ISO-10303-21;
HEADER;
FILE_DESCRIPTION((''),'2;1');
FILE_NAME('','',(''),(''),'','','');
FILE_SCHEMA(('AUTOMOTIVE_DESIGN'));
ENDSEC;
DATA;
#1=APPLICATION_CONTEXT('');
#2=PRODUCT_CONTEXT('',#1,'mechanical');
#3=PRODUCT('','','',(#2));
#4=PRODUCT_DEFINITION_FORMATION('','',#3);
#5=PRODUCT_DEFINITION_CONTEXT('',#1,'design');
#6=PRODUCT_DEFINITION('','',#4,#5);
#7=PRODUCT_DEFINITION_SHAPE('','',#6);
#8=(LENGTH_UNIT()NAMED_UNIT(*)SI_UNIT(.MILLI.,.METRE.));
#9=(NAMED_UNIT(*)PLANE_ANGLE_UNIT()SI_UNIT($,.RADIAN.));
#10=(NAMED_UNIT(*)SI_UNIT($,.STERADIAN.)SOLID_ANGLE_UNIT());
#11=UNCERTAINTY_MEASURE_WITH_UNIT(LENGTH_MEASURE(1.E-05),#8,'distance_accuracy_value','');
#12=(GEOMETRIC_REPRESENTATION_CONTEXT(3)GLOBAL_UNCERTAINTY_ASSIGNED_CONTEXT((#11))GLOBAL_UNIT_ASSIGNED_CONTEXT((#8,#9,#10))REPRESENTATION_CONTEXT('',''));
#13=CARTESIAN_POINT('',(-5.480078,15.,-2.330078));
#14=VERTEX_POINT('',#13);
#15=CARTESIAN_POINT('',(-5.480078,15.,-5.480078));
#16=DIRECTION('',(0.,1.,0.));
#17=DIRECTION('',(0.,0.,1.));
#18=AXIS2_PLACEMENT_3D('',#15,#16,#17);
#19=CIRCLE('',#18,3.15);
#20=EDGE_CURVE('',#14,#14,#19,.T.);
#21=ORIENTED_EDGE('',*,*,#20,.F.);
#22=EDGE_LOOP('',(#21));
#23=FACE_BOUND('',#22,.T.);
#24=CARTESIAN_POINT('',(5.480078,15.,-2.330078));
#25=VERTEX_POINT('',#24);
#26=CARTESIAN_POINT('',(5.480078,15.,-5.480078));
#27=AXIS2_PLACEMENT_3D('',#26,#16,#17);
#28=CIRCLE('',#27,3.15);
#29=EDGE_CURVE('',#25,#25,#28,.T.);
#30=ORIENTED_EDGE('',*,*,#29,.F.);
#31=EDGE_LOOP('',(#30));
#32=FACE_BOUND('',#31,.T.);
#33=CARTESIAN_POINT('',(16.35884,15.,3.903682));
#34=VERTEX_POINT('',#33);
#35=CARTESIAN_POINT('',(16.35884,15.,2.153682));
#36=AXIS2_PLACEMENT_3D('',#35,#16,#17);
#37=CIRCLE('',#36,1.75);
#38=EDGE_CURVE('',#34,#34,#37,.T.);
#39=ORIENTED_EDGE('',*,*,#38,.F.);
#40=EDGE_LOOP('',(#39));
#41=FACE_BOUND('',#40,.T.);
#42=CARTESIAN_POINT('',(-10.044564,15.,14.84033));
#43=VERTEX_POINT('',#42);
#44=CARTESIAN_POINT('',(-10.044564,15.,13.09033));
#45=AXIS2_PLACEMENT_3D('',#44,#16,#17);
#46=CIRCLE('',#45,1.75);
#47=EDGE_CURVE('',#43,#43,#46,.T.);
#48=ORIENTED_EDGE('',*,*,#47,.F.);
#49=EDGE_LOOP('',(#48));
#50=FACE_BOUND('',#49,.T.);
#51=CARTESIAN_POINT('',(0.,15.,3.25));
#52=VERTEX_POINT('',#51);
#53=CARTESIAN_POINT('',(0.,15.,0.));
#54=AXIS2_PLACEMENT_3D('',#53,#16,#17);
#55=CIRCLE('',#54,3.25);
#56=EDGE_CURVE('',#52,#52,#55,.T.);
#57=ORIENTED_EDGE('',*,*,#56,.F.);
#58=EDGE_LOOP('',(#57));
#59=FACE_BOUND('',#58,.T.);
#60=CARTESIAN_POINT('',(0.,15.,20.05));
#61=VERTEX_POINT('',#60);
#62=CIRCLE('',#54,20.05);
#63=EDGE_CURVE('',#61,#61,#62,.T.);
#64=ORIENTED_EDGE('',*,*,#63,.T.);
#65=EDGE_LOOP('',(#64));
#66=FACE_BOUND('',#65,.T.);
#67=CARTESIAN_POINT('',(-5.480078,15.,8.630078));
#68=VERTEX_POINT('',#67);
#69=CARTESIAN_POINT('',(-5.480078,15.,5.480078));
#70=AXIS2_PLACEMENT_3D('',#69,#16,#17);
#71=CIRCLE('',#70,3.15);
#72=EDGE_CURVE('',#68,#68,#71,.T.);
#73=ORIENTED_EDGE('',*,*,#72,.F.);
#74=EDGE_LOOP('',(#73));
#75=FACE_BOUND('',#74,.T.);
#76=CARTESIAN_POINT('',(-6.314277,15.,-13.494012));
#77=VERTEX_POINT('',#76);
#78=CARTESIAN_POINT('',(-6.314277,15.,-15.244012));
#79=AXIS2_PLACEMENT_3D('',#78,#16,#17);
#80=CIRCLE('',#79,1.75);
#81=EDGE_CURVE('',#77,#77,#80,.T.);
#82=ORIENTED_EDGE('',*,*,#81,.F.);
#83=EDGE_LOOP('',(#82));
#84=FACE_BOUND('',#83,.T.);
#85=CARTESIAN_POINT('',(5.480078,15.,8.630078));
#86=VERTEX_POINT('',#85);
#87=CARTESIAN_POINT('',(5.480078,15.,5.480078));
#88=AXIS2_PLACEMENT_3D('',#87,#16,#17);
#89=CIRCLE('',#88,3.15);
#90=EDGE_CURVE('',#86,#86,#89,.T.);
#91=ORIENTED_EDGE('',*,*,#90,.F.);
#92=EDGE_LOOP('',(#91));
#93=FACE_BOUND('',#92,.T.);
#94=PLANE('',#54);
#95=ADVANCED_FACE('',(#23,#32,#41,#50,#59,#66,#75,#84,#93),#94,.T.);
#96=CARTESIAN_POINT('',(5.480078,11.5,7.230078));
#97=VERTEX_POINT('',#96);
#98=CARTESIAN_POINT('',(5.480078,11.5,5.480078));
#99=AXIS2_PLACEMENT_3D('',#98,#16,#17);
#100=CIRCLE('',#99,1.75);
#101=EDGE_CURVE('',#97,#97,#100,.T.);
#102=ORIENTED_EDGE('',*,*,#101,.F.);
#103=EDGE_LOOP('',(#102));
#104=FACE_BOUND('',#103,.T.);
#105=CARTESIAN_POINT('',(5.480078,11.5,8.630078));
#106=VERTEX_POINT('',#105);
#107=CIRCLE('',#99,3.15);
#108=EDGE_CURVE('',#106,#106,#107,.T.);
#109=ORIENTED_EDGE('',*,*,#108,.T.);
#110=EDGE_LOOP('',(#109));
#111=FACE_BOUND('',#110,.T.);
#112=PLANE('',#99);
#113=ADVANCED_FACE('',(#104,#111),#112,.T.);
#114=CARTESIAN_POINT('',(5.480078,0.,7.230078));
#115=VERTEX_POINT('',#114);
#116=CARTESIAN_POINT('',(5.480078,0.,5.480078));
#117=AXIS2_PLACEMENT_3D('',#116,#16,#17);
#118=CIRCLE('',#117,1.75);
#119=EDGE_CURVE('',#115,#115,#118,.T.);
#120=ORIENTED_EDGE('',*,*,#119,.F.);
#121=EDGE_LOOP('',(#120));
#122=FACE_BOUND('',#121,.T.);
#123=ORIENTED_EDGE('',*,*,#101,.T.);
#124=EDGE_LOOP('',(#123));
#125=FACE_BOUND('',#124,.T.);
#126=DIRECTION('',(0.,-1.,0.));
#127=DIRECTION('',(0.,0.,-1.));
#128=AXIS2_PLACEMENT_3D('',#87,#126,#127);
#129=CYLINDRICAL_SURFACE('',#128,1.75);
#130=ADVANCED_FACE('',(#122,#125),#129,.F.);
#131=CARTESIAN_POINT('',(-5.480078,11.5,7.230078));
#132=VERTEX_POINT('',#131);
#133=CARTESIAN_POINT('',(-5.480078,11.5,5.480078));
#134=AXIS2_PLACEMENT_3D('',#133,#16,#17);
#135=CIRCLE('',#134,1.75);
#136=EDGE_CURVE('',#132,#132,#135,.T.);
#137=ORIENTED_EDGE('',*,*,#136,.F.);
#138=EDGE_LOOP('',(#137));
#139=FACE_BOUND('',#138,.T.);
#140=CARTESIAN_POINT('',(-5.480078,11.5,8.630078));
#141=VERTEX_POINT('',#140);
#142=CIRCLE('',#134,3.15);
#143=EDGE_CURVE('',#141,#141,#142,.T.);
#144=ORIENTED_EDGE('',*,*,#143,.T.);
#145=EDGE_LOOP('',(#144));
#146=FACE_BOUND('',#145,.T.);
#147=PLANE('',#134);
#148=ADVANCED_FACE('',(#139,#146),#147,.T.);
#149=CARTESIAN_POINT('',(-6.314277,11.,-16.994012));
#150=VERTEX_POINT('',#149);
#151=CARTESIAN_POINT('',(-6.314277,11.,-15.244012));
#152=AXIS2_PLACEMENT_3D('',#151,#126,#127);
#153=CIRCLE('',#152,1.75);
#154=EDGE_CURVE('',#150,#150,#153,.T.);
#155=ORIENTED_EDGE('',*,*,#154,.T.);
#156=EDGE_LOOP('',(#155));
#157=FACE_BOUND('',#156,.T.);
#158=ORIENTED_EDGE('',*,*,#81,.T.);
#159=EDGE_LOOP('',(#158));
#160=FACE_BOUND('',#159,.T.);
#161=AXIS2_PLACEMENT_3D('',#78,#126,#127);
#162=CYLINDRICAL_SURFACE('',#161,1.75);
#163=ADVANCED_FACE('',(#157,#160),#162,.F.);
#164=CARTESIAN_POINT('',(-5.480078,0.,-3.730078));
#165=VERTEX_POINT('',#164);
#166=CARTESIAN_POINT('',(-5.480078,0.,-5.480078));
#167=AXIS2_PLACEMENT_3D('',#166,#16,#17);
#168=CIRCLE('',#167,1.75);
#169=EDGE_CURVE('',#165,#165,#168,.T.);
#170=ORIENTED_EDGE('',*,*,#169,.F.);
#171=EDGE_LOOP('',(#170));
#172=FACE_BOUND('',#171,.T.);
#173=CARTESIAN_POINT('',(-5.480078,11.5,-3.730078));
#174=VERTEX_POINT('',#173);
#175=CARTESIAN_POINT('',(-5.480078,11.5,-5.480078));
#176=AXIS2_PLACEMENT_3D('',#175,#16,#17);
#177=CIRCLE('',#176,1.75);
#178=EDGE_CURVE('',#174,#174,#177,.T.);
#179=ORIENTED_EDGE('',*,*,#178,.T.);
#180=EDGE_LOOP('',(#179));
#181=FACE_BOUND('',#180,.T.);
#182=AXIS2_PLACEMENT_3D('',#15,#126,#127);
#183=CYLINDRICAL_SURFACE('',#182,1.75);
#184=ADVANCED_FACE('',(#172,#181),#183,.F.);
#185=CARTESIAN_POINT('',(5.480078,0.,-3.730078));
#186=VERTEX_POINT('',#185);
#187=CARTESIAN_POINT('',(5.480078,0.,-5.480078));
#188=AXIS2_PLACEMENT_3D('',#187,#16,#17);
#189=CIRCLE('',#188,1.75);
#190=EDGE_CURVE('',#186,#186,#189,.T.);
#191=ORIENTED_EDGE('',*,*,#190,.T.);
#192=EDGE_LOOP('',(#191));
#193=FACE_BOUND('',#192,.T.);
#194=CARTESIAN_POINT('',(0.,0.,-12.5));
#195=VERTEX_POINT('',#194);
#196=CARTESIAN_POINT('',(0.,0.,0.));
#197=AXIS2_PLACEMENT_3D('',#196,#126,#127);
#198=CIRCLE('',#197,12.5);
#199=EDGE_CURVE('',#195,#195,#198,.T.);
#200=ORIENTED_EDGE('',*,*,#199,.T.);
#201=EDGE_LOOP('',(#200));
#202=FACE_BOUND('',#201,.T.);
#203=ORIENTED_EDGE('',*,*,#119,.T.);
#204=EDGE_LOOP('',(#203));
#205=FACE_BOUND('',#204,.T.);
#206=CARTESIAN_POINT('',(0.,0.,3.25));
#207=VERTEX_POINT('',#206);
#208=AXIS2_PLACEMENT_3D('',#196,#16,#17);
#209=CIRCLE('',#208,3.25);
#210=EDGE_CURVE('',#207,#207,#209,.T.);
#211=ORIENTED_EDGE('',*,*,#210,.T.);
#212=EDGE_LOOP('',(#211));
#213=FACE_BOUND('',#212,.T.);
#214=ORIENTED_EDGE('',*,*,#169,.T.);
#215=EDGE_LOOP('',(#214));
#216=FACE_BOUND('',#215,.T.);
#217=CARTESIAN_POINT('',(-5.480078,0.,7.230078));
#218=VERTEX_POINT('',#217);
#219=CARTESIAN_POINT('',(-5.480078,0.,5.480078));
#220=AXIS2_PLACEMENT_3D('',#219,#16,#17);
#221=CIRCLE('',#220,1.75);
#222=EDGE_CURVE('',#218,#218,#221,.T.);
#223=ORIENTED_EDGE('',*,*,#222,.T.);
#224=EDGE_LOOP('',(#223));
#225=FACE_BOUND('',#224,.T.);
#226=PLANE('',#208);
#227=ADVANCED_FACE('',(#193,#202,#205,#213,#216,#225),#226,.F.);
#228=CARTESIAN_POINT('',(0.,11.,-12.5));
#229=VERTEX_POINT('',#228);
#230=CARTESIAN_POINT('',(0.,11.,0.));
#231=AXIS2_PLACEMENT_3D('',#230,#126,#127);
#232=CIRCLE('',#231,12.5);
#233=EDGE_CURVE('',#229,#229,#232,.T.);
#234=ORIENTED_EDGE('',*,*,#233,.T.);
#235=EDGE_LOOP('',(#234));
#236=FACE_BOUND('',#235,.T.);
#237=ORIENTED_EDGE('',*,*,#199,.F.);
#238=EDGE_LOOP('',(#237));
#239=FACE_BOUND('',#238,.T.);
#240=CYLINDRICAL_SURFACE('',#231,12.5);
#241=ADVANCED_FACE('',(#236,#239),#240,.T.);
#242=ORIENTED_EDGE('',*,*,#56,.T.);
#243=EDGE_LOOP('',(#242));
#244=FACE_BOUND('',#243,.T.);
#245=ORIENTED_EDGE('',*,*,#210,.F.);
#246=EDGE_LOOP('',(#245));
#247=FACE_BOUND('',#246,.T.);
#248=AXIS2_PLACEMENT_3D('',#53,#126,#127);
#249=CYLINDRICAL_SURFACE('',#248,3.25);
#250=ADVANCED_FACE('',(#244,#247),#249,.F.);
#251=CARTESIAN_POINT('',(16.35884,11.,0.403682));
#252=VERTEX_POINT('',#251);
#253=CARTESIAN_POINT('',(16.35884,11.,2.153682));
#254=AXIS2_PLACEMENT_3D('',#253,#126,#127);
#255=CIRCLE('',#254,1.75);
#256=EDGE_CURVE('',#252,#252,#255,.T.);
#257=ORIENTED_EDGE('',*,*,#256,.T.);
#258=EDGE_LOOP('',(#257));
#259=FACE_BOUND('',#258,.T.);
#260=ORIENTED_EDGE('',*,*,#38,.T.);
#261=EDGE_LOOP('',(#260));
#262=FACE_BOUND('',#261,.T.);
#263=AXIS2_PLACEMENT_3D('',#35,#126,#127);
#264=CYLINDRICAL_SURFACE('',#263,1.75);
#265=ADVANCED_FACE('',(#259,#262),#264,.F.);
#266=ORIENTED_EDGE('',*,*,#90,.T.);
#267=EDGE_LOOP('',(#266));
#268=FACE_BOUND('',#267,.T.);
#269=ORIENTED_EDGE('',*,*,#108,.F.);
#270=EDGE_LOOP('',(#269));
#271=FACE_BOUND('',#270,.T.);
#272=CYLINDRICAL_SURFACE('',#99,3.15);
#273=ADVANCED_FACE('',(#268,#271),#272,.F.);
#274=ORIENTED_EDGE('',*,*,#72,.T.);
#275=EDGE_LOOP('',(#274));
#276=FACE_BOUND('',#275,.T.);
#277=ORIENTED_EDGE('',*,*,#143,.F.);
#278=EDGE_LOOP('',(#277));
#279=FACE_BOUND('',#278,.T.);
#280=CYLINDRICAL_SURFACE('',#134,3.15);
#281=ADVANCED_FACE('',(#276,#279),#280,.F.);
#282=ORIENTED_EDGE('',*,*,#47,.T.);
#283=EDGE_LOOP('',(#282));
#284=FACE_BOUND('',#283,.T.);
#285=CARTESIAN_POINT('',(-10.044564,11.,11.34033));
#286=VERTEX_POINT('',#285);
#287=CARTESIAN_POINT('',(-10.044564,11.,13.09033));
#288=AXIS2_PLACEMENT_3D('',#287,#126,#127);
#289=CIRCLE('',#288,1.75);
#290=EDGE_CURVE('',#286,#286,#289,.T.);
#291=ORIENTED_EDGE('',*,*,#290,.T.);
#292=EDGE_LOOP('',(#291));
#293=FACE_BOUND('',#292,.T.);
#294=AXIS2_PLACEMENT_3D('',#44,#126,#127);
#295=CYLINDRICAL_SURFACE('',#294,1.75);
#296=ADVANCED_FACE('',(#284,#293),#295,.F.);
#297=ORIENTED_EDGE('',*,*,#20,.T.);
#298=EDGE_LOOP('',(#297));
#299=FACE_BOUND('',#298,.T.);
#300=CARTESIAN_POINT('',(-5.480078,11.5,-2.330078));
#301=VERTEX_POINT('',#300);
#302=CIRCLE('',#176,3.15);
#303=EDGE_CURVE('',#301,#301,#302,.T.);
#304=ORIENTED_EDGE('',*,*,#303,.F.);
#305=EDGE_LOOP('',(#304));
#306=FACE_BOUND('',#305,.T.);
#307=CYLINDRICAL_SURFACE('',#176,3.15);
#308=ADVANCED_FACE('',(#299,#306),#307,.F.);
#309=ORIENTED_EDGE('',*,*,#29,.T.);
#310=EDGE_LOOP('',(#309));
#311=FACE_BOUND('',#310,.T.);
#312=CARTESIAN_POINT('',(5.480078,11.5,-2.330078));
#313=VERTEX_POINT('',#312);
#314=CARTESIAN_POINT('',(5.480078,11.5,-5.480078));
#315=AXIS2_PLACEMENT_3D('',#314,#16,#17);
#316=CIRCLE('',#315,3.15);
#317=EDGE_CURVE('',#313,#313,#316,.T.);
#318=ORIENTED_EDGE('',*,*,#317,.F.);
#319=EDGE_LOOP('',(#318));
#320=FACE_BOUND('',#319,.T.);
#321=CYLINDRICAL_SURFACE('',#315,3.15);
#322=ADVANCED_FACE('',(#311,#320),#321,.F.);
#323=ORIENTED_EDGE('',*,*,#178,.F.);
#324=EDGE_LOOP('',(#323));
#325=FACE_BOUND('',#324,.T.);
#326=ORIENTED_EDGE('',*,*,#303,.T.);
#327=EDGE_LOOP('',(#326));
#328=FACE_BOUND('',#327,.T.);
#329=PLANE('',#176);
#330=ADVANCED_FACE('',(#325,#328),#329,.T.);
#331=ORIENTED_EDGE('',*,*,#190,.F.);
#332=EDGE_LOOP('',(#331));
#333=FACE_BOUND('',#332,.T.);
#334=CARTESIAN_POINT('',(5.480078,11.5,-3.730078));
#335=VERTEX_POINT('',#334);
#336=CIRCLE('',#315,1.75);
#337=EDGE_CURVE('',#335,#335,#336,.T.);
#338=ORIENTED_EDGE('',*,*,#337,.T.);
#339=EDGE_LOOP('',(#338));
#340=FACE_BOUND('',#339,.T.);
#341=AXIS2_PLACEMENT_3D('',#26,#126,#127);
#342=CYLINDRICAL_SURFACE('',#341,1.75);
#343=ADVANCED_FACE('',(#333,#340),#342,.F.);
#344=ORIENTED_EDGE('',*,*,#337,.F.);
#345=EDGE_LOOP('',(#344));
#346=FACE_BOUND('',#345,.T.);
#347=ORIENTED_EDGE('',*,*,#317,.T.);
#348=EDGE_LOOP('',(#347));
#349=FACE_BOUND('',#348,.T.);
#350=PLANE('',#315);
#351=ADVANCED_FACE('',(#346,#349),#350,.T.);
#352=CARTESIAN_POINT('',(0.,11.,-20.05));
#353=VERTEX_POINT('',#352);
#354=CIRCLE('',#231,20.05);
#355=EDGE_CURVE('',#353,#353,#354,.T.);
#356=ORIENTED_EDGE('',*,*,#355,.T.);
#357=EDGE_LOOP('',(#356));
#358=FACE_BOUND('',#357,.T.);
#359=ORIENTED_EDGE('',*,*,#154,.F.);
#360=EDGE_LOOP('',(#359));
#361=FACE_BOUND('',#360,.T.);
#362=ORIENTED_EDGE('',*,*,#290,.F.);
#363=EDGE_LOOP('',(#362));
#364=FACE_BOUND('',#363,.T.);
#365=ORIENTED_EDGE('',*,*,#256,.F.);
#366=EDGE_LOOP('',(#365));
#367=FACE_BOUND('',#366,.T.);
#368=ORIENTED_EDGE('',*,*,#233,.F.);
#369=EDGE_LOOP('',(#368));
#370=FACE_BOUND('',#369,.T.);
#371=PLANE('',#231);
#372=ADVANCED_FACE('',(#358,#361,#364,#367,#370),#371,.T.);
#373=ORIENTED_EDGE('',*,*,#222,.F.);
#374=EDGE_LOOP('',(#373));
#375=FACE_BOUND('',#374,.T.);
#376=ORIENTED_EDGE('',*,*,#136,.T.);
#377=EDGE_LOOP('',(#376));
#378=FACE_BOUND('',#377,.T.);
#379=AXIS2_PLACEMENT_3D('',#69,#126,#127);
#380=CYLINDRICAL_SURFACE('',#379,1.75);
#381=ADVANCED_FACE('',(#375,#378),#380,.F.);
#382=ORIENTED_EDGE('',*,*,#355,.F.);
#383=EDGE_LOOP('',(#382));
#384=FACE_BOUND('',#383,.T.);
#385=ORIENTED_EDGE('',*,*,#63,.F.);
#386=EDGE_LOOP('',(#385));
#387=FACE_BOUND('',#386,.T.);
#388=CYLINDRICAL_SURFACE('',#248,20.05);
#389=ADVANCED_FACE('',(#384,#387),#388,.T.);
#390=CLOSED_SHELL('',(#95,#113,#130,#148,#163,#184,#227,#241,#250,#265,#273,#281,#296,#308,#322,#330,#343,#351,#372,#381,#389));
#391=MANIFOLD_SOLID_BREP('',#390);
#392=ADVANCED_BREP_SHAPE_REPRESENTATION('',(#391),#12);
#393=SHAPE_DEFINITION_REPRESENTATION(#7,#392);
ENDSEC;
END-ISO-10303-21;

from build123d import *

# Parameters (mm, degrees)
SKETCH1_R      = 20.05
SKETCH1_R_2    = 3.25
SKETCH1_R_3    = 1.75
EXTRUDE1_DEPTH = 15
SKETCH7_R      = 3.15
EXTRUDE4_DEPTH = 3.5
SKETCH8_R      = 20.05
SKETCH8_R_2    = 12.5
EXTRUDE5_DEPTH = 11


with BuildPart() as part:
    # Sketch1 → Extrude1 (new body)
    with BuildSketch(Plane(origin=(0, 0, 0), x_dir=(1, 0, 0), z_dir=(0, 1, 0))):
        Circle(SKETCH1_R)
        Circle(SKETCH1_R_2, mode=Mode.SUBTRACT)
        with Locations((5.480077554, 5.480077554)):
            Circle(SKETCH1_R_3, mode=Mode.SUBTRACT)
        with Locations((5.480077554, -5.480077554)):
            Circle(SKETCH1_R_3, mode=Mode.SUBTRACT)
        with Locations((-5.480077554, -5.480077554)):
            Circle(SKETCH1_R_3, mode=Mode.SUBTRACT)
        with Locations((-5.480077554, 5.480077554)):
            Circle(SKETCH1_R_3, mode=Mode.SUBTRACT)
        with Locations((-10.044563579, -13.090330115)):
            Circle(SKETCH1_R_3, mode=Mode.SUBTRACT)
        with Locations((-6.314276634, 15.244012286)):
            Circle(SKETCH1_R_3, mode=Mode.SUBTRACT)
        with Locations((16.358840213, -2.153682172)):
            Circle(SKETCH1_R_3, mode=Mode.SUBTRACT)
    extrude(amount=EXTRUDE1_DEPTH)

    # Sketch7 → Extrude4 (cut)
    with BuildSketch(Plane(origin=(0, 15, 0), x_dir=(1, 0, 0), z_dir=(0, 1, 0))):
        with Locations((-5.480077554, 5.480077554)):
            Circle(SKETCH7_R)
        with Locations((5.480077554, 5.480077554)):
            Circle(SKETCH7_R)
        with Locations((5.480077554, -5.480077554)):
            Circle(SKETCH7_R)
        with Locations((-5.480077554, -5.480077554)):
            Circle(SKETCH7_R)
    extrude(amount=-EXTRUDE4_DEPTH, mode=Mode.SUBTRACT)

    # Sketch8 → Extrude5 (cut)
    with BuildSketch(Plane.XZ):
        Circle(SKETCH8_R)
        Circle(SKETCH8_R_2, mode=Mode.SUBTRACT)
    extrude(amount=-EXTRUDE5_DEPTH, mode=Mode.SUBTRACT)


solid = part.part
